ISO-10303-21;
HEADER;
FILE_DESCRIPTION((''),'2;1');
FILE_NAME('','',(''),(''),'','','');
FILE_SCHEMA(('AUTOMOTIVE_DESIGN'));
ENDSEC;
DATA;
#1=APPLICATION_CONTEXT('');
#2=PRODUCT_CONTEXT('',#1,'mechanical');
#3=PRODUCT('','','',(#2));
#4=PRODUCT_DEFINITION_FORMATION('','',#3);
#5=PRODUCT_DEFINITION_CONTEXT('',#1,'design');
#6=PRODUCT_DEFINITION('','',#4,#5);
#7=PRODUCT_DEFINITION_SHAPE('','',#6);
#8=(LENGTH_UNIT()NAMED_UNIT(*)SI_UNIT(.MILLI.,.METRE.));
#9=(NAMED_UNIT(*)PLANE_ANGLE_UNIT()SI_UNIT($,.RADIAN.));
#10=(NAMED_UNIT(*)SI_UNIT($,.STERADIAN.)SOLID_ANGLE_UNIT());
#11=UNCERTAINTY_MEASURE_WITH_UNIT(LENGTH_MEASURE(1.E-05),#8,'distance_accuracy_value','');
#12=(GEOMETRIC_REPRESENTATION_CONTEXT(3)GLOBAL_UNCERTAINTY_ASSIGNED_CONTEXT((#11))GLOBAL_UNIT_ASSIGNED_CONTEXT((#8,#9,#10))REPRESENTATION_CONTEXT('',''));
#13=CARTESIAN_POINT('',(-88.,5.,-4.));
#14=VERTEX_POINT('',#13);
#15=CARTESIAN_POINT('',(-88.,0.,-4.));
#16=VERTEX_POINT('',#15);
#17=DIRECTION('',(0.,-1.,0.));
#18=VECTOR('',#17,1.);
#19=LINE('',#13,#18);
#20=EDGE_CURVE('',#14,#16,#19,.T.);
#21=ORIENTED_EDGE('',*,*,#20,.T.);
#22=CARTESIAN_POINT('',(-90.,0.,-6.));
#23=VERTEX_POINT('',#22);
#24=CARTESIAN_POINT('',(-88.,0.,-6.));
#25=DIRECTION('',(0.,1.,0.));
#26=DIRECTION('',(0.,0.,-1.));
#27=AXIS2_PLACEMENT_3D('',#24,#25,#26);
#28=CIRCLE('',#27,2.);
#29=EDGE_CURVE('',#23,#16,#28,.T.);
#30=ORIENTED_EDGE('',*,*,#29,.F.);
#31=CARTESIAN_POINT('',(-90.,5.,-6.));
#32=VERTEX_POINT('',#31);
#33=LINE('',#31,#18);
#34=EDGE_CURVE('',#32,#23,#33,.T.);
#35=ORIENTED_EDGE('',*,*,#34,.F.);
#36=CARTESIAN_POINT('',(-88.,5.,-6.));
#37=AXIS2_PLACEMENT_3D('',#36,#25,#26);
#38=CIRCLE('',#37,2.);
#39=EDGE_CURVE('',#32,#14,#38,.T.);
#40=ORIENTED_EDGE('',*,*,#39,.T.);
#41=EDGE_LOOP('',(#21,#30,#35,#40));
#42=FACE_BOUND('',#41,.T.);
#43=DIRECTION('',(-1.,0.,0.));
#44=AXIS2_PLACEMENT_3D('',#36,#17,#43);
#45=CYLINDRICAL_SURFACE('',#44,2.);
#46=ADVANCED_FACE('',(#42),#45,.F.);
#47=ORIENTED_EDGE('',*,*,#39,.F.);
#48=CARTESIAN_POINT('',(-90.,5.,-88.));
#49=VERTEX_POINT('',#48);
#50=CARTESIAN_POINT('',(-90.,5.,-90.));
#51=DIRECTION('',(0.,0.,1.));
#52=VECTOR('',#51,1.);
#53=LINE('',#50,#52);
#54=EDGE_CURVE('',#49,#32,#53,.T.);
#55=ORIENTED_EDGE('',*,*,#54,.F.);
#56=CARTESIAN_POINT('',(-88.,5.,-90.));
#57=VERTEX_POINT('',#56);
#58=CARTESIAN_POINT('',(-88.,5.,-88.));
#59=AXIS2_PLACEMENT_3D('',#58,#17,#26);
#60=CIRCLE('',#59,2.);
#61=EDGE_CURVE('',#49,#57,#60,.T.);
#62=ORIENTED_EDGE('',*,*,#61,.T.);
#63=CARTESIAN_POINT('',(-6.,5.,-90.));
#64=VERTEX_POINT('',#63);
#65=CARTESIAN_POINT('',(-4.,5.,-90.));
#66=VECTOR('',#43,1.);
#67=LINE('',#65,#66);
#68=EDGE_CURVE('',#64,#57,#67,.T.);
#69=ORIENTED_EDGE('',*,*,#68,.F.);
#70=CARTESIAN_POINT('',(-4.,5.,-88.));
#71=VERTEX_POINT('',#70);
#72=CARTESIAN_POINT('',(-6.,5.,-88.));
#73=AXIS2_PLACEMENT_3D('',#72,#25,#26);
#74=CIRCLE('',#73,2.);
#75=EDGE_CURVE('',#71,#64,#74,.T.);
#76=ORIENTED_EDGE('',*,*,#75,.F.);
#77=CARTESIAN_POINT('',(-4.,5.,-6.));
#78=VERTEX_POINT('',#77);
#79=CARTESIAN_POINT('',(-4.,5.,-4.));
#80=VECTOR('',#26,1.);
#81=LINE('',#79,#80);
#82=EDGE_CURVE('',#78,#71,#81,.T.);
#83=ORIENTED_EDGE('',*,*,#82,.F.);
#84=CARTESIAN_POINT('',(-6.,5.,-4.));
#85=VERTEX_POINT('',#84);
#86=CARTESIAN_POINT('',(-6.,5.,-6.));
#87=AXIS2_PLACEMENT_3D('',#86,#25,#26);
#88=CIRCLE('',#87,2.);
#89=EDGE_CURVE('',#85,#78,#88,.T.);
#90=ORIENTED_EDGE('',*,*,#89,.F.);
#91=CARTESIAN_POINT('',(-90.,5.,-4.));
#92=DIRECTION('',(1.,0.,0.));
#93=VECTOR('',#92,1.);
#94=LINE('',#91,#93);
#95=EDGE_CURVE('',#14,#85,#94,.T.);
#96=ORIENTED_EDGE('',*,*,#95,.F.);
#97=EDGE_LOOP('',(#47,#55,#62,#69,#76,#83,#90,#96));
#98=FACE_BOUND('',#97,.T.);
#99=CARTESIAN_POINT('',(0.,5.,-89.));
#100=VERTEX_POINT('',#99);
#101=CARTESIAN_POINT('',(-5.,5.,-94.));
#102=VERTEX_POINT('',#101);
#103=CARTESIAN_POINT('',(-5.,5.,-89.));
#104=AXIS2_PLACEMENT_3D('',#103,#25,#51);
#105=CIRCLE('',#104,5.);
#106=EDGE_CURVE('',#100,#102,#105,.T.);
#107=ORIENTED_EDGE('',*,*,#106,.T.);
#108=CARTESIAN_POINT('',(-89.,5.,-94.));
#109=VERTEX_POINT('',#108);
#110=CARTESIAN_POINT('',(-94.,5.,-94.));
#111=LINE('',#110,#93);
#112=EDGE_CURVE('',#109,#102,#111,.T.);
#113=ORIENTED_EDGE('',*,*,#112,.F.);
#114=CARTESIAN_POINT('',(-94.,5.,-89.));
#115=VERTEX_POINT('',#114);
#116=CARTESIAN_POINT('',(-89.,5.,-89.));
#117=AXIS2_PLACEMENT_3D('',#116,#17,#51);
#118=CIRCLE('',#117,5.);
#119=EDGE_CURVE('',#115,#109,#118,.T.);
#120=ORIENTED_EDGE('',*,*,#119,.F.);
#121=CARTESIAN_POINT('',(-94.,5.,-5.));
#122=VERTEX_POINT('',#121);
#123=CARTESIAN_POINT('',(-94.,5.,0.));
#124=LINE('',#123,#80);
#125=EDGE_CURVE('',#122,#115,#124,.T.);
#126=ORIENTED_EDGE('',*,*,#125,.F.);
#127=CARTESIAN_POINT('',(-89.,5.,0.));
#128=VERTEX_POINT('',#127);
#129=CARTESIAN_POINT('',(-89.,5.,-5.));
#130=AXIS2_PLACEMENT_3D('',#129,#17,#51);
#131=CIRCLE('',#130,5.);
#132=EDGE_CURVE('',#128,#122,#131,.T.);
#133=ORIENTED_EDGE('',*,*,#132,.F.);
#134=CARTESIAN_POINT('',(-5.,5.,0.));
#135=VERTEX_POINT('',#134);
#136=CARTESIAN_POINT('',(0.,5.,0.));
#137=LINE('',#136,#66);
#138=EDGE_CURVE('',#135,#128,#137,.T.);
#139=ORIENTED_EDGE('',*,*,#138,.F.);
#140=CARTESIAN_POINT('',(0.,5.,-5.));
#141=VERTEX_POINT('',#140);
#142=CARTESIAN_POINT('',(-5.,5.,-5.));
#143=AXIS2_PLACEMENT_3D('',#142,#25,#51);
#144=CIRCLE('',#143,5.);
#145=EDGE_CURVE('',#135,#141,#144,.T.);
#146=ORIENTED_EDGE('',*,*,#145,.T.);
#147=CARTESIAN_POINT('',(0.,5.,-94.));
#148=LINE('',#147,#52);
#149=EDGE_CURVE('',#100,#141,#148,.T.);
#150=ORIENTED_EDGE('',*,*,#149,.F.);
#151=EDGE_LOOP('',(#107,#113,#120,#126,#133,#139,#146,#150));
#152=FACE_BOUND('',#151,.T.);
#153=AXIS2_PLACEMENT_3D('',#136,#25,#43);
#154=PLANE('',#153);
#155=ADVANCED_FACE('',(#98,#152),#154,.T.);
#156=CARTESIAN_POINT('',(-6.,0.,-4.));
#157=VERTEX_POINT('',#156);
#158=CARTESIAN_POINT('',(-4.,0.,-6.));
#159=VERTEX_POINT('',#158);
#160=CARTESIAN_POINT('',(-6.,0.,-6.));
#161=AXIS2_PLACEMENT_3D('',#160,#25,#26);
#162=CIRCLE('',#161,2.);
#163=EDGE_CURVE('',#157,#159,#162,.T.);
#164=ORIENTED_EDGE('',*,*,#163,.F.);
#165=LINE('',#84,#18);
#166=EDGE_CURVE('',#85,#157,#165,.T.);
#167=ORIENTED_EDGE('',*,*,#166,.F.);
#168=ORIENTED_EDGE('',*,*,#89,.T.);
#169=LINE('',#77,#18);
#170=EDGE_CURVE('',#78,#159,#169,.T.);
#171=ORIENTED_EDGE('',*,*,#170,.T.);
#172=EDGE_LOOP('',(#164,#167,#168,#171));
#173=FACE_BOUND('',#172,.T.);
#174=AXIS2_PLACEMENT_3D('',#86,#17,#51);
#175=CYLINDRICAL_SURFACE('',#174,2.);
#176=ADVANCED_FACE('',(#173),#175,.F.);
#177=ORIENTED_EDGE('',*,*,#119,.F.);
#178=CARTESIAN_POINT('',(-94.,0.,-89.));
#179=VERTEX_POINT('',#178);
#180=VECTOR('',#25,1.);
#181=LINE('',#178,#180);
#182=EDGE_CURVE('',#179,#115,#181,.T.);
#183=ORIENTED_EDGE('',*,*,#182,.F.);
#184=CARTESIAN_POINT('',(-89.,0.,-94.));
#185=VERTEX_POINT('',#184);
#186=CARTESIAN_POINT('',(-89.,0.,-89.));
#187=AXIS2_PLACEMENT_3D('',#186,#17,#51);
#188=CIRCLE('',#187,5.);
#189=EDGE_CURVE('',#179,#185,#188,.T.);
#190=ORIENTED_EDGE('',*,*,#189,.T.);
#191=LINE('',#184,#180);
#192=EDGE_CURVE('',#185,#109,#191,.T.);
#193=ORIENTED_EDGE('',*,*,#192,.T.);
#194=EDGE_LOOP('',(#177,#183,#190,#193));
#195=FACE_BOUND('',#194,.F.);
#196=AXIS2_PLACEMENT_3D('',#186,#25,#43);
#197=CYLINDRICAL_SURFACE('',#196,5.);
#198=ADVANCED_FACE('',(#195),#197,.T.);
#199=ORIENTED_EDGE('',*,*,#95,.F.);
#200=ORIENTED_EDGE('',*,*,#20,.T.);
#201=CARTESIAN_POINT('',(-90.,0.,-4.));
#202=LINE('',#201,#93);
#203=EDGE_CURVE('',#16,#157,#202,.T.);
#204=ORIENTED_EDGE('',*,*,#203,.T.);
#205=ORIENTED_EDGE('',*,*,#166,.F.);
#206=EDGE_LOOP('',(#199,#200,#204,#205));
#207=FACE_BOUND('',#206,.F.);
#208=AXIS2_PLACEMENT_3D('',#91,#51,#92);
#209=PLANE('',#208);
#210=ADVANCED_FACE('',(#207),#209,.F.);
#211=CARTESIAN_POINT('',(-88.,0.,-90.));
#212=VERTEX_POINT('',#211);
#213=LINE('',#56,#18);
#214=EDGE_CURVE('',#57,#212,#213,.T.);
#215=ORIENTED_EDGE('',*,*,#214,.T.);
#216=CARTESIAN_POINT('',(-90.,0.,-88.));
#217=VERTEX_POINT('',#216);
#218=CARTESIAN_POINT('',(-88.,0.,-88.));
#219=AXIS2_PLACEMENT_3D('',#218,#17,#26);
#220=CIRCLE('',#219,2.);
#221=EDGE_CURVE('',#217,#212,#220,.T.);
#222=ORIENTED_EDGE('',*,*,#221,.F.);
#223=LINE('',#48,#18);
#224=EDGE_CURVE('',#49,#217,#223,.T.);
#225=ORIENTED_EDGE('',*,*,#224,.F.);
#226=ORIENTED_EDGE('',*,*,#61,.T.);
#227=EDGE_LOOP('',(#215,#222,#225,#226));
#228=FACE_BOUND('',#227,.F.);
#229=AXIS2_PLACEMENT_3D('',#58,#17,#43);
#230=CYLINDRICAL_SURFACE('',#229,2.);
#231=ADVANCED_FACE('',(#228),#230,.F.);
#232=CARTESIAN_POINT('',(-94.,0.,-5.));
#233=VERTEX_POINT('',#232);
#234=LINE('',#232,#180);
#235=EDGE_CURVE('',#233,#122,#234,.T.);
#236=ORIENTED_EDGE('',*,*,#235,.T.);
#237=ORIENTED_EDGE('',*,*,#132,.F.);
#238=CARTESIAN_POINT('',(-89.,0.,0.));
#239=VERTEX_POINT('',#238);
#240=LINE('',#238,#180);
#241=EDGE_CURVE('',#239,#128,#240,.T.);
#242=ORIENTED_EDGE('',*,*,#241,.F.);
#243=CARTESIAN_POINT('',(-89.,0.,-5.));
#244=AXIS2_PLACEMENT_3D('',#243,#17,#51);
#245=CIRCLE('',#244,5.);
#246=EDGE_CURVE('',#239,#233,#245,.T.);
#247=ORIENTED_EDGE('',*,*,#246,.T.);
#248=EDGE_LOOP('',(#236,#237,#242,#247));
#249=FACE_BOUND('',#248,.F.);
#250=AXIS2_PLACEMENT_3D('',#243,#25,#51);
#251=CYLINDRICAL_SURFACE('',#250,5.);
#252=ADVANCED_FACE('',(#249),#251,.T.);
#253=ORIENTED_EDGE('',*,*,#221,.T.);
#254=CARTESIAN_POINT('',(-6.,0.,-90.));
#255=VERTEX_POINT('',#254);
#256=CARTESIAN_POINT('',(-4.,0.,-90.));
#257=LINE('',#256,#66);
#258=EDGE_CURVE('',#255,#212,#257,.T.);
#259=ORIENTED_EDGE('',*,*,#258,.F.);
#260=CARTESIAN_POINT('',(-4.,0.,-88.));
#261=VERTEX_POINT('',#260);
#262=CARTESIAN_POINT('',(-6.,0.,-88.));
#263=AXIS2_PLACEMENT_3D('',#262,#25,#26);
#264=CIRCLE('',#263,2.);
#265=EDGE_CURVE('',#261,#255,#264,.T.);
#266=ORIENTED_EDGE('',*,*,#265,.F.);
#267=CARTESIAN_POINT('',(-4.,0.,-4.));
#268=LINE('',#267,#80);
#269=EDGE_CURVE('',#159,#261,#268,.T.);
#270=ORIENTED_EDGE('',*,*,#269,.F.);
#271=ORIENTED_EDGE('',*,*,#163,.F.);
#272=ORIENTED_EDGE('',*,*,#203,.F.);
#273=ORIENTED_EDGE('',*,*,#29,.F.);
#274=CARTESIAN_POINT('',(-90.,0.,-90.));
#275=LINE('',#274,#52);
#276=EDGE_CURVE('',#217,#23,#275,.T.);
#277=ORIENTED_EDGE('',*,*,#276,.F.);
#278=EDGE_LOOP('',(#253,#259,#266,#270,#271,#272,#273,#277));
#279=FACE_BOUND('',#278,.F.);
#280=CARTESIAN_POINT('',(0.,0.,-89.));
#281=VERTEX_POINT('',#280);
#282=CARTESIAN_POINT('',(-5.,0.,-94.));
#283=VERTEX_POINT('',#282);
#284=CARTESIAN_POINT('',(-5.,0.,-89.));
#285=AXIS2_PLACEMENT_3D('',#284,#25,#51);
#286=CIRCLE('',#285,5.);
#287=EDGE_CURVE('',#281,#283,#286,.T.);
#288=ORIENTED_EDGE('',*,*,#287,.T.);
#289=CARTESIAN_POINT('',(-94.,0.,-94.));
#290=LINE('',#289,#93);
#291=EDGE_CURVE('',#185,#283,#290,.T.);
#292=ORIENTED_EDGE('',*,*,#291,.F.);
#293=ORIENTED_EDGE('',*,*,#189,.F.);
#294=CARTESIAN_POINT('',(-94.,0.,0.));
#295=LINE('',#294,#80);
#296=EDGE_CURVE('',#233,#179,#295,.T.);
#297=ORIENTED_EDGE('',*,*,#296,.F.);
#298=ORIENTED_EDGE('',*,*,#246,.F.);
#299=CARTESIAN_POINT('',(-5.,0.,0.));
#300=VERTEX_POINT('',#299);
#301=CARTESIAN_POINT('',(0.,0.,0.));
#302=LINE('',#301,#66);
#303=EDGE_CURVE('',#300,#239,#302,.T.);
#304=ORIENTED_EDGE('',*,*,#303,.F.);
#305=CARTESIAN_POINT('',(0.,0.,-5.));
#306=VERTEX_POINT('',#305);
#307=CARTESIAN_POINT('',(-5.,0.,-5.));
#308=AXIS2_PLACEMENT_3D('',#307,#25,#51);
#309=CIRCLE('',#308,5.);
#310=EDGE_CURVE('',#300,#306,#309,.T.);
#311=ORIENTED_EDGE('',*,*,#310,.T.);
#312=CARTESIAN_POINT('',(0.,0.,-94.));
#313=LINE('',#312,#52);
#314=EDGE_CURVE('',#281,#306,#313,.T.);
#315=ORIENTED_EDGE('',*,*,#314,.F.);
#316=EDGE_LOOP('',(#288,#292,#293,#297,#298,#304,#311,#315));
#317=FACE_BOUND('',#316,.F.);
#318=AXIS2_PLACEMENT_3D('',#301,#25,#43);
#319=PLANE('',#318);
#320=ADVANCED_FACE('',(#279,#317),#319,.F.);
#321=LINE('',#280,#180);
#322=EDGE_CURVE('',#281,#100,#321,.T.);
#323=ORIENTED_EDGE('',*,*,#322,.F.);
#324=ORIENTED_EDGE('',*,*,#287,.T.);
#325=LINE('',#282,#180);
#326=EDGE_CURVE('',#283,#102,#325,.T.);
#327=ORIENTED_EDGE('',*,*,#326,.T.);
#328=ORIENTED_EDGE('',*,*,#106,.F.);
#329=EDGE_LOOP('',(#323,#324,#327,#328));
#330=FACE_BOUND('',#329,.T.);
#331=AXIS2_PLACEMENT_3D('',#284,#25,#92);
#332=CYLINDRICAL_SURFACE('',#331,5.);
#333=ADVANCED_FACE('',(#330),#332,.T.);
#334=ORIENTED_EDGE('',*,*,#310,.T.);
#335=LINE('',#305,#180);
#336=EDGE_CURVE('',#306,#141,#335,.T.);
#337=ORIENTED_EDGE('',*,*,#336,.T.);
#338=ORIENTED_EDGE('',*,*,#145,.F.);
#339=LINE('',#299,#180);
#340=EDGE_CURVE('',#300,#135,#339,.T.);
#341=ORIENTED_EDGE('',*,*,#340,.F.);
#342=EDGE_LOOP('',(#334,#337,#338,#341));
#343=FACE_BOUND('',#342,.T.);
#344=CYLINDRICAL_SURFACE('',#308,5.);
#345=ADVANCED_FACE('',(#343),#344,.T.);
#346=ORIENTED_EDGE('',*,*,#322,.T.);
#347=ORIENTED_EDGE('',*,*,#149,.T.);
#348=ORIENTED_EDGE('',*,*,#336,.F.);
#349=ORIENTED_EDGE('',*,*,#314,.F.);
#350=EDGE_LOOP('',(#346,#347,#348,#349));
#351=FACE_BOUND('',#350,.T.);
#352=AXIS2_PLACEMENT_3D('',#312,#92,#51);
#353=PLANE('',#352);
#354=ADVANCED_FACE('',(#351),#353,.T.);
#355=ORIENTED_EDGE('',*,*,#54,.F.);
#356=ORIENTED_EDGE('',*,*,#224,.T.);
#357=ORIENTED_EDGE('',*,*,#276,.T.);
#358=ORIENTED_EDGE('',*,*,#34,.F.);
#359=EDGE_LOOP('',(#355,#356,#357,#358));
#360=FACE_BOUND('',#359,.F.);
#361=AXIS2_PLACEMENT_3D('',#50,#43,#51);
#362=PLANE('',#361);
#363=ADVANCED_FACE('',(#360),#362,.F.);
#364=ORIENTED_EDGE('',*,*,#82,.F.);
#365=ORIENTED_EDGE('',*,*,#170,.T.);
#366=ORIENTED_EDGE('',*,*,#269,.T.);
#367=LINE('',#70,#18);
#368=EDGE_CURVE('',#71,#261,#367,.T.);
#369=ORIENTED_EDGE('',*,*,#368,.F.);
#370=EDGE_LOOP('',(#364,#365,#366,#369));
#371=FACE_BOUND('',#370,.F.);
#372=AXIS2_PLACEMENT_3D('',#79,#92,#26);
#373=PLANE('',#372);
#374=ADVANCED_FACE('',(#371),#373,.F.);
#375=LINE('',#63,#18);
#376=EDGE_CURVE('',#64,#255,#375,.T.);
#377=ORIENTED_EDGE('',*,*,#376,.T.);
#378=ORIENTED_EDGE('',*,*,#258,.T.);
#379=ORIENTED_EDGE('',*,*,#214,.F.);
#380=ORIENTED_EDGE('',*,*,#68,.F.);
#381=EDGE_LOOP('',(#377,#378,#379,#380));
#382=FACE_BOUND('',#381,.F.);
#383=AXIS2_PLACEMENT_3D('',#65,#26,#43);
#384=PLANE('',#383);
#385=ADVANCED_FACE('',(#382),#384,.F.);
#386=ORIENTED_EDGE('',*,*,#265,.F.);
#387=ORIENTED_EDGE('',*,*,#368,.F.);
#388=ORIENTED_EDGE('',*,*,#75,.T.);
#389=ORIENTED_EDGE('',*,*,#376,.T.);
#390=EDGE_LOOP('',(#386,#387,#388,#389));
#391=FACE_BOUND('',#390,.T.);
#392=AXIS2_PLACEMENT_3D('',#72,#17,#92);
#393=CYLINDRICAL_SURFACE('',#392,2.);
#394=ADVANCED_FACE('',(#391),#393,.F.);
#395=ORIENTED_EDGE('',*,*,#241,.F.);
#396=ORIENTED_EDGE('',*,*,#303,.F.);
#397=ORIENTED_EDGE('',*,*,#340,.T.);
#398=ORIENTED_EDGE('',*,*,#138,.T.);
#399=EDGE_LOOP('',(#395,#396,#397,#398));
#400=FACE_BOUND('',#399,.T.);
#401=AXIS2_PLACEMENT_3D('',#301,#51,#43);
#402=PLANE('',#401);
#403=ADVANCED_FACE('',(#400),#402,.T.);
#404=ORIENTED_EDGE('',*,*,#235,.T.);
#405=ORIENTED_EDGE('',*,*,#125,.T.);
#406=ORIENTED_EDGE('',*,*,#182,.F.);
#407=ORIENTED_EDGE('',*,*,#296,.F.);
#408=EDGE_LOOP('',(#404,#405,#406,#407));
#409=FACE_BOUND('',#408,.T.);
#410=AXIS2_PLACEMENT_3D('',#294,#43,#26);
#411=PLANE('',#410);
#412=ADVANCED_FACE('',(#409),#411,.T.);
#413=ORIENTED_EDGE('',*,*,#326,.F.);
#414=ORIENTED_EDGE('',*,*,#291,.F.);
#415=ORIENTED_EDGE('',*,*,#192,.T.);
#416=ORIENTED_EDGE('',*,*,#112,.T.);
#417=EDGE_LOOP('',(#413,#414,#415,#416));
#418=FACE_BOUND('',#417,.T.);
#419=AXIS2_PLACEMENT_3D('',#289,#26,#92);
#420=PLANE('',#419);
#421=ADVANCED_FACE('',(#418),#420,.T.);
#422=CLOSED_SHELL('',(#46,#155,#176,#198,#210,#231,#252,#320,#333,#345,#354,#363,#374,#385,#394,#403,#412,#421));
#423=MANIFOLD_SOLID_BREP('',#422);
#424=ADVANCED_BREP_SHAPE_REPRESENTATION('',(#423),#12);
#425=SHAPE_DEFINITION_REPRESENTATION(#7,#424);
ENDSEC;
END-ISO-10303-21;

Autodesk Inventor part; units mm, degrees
ref_plane "YZ Plane" through (0, 0, 0) normal (1, 0, 0) x (0, 1, 0)
ref_plane "XZ Plane" through (0, 0, 0) normal (0, 1, 0) x (-1, 0, 0)
ref_plane "XY Plane" through (0, 0, 0) normal (0, 0, 1) x (1, 0, 0)
sketch "Sketch1" plane through (0, 0, 0) normal (0, 1, 0) x (-1, 0, 0)
  line L0 (0, 0) -> (94, 0)
  line L1 (94, 0) -> (94, -94)
  line L2 (94, -94) -> (0, -94)
  line L3 (0, -94) -> (0, 0)
  dimension "d0" = 94
  dimension "d1" = 94
extrude "Extrusion1" add sketch "Sketch1" along normal blind 5
sketch "Sketch2" plane through (0, 5, 0) normal (0, 1, 0) x (1, 0, 0)
  line L0 (-90, 4) -> (-4, 4)
  line L1 (-4, 4) -> (-4, 90)
  line L2 (-4, 90) -> (-90, 90)
  line L3 (-90, 90) -> (-90, 4)
  line L4 (0, 94) -> (-94, 94) projected
  line L5 (-94, 94) -> (-94, 0) projected
  line L6 (-94, 0) -> (0, 0) projected
  line L7 (0, 0) -> (0, 94) projected
  dimension "d4" = 4
  dimension "d5" = 4
  dimension "d6" = 4
  dimension "d7" = 4
extrude "Extrusion2" cut sketch "Sketch2" against normal blind 5 contours L3 L2 L1 L0
fillet "Fillet1" radius 5 4 edges at (-94, 2.5, -94) (0, 2.5, 0) (0, 2.5, -94) (-94, 2.5, 0)
sketch "Sketch3" plane through (0, 5, 0) normal (0, 1, 0) x (1, 0, 0)
  line L0 (-91.5, 91.5) -> (-2.5, 91.5) construction
  line L1 (-2.5, 91.5) -> (-2.5, 2.5) construction
  line L2 (-2.5, 2.5) -> (-91.5, 2.5) construction
  line L3 (-91.5, 2.5) -> (-91.5, 91.5) construction
  line L4 (0, 5) -> (0, 89) projected
  line L5 (-5, 94) -> (-89, 94) projected
  line L6 (-94, 89) -> (-94, 5) projected
  line L7 (-89, 0) -> (-5, 0) projected
  point P0 (0, 0)
  dimension "d11" = 2.5
  dimension "d12" = 2.5
  dimension "d13" = 2.5
  dimension "d14" = 2.5
fillet "Fillet2" radius 2 4 edges at (-90, 2.5, -90) (-4, 2.5, -90) (-4, 2.5, -4) (-90, 2.5, -4)
properties part number "Adult fly trap middle"
